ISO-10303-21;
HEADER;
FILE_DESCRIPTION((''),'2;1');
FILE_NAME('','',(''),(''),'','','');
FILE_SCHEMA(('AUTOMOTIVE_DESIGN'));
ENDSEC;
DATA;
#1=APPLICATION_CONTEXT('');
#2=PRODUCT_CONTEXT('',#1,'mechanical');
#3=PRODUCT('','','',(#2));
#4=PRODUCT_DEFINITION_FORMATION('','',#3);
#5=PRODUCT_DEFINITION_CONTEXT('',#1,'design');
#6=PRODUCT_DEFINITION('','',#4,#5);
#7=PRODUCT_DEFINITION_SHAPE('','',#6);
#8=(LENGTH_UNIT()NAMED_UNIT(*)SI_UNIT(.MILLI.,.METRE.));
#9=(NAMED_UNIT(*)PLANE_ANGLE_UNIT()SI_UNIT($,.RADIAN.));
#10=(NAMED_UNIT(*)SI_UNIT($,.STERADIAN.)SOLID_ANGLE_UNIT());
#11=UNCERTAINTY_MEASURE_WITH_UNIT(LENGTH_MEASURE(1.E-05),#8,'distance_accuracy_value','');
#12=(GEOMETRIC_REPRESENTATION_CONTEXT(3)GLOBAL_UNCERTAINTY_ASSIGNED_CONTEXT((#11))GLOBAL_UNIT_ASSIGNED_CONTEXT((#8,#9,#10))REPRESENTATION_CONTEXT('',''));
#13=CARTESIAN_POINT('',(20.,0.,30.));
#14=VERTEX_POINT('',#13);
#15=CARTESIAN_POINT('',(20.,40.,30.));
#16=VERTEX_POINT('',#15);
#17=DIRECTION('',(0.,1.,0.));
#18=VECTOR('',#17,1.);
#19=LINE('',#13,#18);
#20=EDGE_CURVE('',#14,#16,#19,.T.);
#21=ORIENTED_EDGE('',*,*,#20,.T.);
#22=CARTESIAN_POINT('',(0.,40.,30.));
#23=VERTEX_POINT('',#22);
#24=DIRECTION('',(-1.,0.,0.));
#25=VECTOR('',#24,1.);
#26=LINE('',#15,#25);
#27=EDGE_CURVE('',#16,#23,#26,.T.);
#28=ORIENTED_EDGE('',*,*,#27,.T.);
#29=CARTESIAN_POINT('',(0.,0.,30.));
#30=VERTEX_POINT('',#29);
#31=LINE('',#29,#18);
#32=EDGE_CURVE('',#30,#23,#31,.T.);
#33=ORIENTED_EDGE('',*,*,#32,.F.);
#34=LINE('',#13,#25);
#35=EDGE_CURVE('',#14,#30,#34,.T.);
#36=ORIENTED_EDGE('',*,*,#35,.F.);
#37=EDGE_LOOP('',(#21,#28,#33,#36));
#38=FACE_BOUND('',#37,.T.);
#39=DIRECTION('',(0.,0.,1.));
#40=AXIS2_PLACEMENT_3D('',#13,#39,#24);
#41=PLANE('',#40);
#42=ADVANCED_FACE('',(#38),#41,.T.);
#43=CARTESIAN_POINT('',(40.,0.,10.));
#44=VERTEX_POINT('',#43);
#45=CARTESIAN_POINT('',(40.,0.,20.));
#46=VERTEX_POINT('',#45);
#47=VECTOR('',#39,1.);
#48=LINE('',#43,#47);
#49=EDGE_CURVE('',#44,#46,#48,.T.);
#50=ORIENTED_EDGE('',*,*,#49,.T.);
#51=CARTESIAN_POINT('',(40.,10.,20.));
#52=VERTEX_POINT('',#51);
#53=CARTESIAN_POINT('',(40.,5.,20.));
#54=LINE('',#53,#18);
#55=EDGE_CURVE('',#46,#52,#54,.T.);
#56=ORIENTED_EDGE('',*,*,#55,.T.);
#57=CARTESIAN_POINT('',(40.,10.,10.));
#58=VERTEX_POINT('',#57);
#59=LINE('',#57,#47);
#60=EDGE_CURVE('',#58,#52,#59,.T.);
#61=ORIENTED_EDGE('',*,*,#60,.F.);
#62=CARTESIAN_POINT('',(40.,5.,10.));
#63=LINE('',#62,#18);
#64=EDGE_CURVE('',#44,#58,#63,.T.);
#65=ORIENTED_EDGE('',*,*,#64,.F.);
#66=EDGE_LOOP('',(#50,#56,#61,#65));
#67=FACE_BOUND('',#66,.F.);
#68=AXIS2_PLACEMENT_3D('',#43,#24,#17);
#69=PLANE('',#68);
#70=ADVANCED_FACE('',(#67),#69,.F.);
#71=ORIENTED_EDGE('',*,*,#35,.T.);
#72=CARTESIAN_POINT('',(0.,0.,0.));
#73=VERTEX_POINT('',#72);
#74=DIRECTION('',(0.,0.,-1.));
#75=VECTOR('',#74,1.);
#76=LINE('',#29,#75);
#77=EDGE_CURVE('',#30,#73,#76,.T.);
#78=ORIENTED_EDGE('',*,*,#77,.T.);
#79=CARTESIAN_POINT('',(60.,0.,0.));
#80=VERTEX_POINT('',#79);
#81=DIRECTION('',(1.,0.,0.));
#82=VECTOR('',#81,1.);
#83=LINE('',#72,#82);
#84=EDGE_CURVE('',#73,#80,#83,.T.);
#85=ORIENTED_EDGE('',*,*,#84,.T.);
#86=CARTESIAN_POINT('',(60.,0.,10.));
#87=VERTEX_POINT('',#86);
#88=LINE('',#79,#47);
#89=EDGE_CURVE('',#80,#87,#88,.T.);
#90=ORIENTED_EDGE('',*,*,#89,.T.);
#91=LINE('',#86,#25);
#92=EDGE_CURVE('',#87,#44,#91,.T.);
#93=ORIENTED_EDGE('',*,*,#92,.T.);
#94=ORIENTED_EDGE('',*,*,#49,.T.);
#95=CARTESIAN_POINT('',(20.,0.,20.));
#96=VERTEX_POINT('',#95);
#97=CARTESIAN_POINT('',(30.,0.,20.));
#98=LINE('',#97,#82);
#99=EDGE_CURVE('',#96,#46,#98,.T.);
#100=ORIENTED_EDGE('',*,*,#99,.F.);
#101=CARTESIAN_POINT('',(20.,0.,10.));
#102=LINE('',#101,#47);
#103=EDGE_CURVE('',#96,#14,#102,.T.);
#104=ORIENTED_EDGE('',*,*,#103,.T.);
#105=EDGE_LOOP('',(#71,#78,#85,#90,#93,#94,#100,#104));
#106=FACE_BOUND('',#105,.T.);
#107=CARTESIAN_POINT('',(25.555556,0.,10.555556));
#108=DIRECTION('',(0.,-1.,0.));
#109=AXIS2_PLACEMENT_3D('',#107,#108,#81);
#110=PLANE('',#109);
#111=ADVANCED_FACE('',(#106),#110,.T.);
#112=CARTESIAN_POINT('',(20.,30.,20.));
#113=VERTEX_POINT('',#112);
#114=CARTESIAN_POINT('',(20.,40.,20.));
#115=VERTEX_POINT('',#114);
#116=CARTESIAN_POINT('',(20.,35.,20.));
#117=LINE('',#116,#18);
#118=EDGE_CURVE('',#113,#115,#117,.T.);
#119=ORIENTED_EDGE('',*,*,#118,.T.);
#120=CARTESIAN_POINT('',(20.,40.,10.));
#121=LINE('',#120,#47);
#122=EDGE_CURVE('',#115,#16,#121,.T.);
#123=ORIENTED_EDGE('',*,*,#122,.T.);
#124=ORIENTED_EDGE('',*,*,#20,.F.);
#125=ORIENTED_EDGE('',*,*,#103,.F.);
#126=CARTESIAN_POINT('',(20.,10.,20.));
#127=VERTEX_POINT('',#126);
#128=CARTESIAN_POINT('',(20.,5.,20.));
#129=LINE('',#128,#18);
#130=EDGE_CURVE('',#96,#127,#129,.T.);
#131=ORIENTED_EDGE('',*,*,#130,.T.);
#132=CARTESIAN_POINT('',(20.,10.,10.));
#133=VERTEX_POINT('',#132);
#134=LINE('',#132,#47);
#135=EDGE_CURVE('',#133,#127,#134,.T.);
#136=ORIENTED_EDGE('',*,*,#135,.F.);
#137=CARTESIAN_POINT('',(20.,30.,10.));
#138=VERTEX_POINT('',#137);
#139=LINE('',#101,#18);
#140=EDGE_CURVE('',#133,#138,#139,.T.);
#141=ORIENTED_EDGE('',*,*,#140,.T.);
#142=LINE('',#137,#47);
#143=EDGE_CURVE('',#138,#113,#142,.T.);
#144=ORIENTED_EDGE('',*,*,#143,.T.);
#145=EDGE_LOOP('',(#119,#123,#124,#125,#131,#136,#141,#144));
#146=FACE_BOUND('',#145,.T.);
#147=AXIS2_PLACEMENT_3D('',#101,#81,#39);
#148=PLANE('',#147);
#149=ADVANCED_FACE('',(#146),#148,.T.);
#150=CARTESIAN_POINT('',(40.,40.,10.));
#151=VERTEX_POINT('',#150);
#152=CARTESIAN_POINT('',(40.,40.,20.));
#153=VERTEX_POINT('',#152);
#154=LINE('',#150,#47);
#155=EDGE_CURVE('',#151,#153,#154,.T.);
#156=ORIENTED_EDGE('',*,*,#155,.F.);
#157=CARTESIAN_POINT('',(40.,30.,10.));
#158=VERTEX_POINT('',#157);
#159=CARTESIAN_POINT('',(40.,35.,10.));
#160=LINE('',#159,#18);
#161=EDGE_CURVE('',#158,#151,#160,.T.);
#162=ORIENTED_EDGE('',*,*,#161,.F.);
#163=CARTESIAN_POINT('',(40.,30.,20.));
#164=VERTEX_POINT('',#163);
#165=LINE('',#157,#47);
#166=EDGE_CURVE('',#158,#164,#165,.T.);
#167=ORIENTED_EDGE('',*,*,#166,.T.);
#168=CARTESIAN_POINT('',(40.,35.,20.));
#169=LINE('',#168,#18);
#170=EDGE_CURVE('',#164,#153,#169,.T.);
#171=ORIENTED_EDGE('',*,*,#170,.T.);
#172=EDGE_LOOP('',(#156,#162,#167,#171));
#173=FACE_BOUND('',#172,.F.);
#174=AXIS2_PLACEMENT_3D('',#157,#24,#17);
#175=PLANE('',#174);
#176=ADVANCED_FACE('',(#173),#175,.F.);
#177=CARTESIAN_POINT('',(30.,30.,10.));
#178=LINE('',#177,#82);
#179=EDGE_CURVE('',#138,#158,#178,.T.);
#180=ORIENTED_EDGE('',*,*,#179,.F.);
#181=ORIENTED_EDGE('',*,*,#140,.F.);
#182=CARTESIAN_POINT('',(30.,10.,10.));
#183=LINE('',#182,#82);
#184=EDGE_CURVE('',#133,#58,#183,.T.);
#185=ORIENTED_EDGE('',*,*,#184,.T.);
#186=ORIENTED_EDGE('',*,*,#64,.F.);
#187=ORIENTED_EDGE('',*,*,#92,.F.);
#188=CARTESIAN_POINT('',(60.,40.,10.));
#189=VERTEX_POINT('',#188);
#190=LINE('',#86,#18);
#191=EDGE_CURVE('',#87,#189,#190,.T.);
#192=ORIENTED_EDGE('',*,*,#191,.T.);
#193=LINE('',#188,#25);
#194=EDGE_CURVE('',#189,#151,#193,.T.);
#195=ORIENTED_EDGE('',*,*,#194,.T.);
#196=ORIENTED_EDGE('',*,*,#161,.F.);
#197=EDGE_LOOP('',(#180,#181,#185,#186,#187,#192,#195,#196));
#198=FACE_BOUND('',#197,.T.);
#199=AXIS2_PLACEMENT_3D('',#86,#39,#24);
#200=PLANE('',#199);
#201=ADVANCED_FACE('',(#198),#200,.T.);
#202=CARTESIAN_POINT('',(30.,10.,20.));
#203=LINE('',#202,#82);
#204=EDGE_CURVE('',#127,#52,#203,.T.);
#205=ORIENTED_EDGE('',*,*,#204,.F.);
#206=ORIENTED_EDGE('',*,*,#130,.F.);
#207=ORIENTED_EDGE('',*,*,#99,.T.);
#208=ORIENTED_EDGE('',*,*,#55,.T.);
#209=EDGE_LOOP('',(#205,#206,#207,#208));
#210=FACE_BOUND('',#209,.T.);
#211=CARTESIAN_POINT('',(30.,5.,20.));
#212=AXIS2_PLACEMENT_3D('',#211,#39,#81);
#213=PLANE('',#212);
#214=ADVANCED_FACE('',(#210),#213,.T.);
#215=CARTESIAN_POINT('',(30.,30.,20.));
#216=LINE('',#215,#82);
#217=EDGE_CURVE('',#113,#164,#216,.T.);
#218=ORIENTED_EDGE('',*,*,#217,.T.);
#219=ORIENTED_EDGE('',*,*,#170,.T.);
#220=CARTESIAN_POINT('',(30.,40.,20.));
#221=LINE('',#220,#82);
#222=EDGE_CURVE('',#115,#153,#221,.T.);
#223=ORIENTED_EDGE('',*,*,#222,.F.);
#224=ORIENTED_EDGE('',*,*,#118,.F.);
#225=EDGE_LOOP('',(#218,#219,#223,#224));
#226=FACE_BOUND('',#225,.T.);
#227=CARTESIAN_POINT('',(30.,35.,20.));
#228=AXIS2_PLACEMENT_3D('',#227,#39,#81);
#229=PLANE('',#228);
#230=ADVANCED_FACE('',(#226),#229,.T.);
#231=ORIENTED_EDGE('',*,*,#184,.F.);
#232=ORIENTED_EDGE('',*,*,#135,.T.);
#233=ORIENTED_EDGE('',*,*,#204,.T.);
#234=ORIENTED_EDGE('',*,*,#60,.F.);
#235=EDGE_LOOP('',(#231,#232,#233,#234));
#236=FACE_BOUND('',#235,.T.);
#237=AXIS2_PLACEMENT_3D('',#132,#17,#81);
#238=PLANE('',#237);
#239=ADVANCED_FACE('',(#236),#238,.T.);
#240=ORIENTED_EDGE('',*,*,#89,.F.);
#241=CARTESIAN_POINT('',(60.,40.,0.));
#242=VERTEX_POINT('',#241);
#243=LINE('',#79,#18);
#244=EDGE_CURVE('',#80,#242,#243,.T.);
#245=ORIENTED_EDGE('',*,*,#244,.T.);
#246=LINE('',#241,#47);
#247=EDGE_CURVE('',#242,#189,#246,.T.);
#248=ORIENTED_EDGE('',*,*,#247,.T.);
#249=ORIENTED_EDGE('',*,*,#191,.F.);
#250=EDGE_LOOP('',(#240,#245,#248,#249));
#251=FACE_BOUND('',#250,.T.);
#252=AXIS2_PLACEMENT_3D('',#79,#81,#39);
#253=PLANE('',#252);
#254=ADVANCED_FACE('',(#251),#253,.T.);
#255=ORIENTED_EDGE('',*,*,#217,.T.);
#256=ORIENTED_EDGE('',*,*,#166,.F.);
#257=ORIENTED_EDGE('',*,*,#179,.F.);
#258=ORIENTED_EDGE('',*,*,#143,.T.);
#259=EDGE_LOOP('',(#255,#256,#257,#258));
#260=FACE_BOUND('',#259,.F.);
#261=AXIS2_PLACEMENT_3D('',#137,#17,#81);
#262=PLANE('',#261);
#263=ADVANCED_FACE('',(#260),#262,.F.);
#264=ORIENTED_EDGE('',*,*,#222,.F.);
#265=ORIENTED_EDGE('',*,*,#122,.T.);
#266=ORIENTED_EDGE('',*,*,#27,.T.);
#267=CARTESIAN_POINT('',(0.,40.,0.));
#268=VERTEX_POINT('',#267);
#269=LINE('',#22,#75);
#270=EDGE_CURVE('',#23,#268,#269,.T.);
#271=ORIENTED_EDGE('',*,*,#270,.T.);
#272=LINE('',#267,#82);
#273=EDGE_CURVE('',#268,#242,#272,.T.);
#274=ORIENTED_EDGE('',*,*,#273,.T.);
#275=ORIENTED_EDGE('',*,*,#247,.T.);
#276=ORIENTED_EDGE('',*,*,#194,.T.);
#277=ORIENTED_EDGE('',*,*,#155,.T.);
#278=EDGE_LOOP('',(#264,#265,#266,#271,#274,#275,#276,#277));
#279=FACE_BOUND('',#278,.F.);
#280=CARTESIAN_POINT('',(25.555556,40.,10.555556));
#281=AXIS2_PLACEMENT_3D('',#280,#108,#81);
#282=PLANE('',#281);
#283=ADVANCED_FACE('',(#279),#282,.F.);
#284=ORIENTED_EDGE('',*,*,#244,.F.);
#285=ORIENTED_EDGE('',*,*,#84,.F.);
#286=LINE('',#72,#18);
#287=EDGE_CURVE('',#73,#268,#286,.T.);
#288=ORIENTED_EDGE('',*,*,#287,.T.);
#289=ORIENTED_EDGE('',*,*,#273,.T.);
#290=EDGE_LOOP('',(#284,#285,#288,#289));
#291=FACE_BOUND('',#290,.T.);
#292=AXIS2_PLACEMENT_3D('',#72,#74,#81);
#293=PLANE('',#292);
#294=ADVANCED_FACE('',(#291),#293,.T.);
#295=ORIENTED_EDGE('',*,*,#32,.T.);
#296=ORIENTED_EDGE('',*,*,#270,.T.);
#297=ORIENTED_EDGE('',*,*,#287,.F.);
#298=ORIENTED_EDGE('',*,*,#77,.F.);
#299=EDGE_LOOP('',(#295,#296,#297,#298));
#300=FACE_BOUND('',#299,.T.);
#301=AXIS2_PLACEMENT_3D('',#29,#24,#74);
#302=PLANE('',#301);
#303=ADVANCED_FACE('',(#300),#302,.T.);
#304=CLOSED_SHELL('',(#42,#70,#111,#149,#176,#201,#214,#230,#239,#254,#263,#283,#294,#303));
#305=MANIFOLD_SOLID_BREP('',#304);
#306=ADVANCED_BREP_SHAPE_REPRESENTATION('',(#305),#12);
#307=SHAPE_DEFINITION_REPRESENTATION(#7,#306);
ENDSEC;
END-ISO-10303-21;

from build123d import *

# Parameters (mm, degrees)
F1_DEPTH = 40
F2_W     = 20
F2_H     = 10
F3_DEPTH = 10


with BuildPart() as f1:
    # F0 (on Front) → F1 (new body)
    with BuildSketch(Plane.XZ):
        Polygon((0, 30), (0, 0), (60, 0), (60, 10), (20, 10), (20, 30), align=None)
    extrude(amount=-F1_DEPTH)

    # F2 (on face) → F3 (join)
    with BuildSketch(Plane.XY.offset(10)):
        with Locations((30, 35)):
            Rectangle(F2_W, F2_H)
        with Locations((30, 5)):
            Rectangle(F2_W, F2_H)
    extrude(amount=F3_DEPTH)


solid = f1.part
